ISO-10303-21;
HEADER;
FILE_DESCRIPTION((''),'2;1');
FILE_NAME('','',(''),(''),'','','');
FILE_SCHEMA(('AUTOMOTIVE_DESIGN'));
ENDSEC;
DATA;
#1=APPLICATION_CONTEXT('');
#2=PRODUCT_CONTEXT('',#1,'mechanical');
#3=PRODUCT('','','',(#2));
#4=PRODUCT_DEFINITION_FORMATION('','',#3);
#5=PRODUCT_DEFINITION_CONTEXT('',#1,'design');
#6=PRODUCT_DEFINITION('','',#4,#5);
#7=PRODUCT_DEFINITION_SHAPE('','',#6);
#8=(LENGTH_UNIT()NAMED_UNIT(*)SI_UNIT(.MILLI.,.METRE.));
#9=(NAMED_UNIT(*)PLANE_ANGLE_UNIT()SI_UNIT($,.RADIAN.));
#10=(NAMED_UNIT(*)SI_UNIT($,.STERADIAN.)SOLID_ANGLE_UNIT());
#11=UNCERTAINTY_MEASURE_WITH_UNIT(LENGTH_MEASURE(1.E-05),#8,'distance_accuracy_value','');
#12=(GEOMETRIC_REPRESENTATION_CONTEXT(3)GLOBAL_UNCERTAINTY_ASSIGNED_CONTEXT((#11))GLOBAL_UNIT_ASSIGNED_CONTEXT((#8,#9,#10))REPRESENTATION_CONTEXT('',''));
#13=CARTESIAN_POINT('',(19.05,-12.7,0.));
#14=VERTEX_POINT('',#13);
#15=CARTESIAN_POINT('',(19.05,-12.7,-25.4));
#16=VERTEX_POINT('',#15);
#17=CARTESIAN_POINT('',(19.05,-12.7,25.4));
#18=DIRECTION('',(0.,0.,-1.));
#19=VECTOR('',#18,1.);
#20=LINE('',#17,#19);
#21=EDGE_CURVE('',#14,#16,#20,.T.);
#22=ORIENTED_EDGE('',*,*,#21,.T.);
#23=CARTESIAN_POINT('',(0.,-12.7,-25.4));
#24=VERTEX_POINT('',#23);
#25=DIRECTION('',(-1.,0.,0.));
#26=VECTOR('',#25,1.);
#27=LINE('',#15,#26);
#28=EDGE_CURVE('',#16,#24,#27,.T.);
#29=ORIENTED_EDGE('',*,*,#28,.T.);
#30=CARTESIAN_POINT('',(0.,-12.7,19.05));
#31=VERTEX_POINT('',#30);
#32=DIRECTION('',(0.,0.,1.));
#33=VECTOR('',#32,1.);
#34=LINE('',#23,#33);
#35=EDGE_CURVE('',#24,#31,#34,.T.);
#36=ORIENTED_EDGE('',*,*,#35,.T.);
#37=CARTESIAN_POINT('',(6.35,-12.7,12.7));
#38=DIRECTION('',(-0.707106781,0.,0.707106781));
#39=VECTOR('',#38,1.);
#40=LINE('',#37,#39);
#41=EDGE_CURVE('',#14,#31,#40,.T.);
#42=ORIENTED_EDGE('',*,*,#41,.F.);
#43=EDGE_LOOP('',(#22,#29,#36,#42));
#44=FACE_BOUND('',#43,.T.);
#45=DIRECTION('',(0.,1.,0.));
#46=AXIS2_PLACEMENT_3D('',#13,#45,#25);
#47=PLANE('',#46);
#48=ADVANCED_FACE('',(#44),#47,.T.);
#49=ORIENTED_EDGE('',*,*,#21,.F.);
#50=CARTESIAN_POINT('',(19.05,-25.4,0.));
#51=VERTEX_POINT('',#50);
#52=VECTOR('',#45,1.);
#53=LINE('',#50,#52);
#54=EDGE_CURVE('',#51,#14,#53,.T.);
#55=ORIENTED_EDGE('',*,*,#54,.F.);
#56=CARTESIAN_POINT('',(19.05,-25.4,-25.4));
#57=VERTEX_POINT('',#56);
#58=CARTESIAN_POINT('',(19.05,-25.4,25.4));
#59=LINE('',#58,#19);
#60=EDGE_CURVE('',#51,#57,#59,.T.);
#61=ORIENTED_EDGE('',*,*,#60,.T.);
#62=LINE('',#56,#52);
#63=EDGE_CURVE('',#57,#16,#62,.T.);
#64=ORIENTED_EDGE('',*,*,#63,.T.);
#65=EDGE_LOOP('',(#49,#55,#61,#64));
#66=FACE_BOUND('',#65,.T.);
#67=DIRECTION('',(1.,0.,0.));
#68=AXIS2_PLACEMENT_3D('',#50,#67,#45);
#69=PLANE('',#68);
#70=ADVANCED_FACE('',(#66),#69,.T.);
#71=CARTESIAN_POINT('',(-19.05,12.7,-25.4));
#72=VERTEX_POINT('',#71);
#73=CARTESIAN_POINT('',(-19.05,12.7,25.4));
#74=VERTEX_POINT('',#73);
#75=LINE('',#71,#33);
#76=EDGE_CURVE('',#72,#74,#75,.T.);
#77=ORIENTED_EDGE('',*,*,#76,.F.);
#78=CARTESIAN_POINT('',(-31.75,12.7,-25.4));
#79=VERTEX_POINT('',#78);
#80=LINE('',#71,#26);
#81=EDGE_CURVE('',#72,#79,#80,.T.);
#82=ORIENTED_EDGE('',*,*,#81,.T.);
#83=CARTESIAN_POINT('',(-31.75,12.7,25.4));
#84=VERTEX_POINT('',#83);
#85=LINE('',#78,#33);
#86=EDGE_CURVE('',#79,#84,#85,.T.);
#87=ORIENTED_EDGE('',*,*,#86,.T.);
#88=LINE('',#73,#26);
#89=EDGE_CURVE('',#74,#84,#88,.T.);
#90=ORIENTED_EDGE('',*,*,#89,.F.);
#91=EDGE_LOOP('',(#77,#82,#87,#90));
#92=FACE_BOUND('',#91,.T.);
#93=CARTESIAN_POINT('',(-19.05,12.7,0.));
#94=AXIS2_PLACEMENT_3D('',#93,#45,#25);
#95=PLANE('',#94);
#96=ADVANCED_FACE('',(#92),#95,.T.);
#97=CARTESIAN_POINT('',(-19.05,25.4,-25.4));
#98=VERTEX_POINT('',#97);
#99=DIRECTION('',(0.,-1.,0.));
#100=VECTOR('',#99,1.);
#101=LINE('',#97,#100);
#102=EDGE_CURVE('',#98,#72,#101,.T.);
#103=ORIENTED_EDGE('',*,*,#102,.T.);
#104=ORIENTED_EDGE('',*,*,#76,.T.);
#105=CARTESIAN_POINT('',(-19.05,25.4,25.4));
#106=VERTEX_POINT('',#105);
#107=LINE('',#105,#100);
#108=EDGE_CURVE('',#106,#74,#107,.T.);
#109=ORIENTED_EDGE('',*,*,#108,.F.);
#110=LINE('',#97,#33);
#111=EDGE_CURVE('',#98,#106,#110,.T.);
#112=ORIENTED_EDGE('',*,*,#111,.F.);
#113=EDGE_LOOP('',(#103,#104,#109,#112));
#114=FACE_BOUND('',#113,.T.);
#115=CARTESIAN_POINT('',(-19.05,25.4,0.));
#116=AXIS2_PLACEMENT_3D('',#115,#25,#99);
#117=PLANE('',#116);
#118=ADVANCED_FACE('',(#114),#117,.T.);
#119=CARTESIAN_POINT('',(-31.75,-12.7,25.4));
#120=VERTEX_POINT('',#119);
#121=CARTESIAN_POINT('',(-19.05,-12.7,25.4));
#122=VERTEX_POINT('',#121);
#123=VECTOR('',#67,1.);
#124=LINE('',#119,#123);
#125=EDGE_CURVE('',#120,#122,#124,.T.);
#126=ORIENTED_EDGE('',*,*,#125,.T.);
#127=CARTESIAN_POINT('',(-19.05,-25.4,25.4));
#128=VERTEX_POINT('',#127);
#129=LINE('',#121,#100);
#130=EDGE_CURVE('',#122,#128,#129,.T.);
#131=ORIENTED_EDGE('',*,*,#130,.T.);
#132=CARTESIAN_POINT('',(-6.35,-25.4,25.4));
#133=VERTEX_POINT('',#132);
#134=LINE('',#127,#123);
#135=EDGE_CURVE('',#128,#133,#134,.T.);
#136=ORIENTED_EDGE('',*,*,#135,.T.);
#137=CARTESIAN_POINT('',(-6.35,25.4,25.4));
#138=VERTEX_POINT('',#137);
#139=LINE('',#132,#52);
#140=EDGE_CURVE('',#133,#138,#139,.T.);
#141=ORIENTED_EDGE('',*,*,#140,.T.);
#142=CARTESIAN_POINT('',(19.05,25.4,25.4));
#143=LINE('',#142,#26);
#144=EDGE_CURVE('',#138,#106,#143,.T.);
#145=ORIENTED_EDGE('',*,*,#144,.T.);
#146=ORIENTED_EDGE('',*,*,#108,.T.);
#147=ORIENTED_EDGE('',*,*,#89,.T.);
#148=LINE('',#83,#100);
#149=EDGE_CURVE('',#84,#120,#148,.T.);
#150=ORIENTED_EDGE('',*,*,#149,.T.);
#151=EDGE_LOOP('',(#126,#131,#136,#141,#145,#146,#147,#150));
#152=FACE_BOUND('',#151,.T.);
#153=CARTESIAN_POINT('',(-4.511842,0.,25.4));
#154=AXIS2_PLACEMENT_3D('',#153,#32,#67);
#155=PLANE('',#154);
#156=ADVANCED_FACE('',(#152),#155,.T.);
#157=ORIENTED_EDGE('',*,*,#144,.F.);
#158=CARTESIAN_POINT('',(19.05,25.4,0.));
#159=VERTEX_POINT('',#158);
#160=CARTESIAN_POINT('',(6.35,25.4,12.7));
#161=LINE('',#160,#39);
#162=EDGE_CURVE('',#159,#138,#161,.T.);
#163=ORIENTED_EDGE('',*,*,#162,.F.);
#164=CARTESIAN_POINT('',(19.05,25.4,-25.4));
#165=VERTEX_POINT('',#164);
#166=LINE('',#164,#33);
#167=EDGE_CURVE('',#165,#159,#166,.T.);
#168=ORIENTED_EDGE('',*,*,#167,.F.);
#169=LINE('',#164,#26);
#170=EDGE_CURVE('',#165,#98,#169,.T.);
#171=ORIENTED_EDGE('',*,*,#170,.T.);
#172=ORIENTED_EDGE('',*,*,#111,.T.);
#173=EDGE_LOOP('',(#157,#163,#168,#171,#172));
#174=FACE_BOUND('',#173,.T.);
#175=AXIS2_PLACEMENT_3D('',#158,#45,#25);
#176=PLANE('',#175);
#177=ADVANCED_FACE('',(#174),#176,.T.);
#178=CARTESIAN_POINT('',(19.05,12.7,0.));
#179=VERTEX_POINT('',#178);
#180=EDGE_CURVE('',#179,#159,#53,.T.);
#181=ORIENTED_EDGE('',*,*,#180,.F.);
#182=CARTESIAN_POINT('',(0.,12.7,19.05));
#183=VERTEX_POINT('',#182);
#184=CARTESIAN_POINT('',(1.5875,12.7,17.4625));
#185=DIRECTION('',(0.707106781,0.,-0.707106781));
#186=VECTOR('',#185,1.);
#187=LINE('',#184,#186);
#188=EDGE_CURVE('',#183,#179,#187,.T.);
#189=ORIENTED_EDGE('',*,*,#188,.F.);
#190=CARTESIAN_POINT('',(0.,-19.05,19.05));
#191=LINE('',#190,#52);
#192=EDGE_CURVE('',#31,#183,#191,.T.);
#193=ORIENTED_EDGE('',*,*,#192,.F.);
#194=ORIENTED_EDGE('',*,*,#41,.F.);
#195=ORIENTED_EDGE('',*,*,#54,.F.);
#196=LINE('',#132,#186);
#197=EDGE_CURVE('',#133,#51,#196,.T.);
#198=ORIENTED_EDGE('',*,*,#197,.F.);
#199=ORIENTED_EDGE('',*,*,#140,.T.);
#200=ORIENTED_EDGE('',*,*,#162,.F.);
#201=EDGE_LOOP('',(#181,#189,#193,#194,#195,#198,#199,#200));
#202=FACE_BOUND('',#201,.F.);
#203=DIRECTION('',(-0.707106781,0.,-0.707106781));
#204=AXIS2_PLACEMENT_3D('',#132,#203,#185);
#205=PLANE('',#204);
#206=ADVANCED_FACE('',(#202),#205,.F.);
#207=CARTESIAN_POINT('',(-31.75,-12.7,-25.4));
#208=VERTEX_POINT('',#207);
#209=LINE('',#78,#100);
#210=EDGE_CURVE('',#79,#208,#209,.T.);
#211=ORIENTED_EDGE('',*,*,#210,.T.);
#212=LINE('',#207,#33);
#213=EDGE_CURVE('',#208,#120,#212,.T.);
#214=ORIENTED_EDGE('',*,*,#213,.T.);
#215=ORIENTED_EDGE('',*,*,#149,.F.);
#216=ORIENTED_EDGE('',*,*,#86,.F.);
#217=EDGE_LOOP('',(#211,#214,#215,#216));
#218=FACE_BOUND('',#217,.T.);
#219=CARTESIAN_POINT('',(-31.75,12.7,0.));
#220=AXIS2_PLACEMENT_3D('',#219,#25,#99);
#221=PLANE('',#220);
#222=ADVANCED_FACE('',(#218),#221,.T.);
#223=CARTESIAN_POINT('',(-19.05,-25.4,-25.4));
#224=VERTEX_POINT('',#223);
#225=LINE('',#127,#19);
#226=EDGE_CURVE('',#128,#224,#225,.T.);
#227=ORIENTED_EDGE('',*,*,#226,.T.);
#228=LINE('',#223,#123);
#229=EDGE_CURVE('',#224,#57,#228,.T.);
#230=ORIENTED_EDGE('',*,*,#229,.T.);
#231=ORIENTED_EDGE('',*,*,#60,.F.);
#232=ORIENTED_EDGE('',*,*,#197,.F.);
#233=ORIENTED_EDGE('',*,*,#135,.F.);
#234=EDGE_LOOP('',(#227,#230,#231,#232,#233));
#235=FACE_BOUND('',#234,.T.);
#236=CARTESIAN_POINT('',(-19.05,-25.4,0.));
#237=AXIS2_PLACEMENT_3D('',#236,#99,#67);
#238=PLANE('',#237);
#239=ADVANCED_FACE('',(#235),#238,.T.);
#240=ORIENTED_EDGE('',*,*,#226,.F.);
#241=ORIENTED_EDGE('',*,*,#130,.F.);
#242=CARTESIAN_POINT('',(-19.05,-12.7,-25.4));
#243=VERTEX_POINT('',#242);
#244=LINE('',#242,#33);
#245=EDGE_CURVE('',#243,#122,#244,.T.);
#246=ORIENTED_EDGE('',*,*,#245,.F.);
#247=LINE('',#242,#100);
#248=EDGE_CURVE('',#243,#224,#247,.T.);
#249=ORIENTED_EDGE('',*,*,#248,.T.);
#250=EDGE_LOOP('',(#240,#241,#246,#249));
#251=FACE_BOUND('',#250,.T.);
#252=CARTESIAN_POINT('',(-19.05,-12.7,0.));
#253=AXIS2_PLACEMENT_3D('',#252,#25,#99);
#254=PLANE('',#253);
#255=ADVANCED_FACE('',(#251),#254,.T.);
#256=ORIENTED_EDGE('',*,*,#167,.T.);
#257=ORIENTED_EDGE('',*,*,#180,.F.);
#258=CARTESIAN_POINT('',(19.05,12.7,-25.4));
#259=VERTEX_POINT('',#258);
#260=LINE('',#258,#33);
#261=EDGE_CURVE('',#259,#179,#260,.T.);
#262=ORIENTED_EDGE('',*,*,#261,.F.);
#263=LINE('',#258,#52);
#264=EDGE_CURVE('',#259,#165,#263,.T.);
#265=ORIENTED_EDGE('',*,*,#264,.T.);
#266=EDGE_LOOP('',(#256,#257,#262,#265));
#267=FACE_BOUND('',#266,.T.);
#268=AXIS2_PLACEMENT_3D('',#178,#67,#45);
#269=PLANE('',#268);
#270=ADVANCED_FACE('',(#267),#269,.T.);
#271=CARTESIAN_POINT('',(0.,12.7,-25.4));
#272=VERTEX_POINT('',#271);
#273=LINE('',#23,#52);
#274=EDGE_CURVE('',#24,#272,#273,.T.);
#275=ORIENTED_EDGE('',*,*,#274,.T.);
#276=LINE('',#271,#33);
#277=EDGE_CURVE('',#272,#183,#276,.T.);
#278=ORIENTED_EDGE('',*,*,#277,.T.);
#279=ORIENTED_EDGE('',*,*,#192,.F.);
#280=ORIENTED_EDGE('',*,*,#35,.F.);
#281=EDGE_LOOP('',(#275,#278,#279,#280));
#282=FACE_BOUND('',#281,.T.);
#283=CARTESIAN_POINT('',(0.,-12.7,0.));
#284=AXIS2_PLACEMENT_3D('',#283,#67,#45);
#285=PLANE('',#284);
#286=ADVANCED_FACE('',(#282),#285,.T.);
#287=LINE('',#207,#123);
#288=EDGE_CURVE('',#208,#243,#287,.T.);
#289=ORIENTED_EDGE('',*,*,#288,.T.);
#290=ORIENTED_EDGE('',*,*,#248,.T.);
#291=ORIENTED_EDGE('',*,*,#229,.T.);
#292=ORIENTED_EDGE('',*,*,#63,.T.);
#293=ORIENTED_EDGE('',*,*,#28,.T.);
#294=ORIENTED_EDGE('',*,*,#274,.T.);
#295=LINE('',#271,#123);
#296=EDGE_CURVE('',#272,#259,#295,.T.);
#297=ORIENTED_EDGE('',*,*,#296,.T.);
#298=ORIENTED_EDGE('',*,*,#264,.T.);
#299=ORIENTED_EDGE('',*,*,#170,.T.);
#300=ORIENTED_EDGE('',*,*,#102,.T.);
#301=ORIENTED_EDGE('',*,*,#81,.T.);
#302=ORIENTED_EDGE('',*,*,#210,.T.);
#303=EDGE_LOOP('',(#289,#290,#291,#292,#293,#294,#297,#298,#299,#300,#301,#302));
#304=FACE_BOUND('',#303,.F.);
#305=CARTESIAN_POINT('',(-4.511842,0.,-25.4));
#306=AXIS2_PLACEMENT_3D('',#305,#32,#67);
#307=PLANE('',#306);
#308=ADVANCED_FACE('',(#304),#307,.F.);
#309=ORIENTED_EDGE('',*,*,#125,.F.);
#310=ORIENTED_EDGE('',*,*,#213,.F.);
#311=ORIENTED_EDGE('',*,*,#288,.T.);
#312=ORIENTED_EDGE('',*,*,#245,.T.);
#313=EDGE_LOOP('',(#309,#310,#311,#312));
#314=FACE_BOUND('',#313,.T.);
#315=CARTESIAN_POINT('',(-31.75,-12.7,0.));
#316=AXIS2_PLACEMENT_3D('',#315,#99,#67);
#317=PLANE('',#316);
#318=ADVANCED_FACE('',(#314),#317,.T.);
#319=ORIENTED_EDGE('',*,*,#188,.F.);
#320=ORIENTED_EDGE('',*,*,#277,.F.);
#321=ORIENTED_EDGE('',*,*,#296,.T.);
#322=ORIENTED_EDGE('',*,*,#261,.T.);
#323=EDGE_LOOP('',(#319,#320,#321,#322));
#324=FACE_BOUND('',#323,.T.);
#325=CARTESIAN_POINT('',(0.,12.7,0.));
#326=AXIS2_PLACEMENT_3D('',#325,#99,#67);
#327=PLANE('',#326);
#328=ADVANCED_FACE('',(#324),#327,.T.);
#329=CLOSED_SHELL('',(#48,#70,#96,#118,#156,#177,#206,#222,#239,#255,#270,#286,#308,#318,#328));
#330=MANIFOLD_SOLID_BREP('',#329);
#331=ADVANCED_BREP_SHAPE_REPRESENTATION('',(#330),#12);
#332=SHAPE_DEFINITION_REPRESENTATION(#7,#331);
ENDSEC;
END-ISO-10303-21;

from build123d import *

# Parameters (mm, degrees)
F1_DEPTH = 25.4
F3_DEPTH = 50.801


with BuildPart() as f1:
    # F0 (on Top) → F1 (new body, symmetric)
    with BuildSketch(Plane.XY):
        Polygon((19.05, -12.7), (0, -12.7), (0, 12.7), (19.05, 12.7), (19.05, 25.4), (-19.05, 25.4), (-19.05, 12.7), (-31.75, 12.7), (-31.75, -12.7), (-19.05, -12.7), (-19.05, -25.4), (19.05, -25.4), align=None)
    extrude(amount=F1_DEPTH, both=True)

    # F2 (on face) → F3 (cut, through all)
    with BuildSketch(Plane.XZ.offset(25.4)):
        Polygon((19.05, 0), (19.05, 25.4), (-6.35, 25.4), align=None)
    extrude(amount=-F3_DEPTH, mode=Mode.SUBTRACT)


solid = f1.part
